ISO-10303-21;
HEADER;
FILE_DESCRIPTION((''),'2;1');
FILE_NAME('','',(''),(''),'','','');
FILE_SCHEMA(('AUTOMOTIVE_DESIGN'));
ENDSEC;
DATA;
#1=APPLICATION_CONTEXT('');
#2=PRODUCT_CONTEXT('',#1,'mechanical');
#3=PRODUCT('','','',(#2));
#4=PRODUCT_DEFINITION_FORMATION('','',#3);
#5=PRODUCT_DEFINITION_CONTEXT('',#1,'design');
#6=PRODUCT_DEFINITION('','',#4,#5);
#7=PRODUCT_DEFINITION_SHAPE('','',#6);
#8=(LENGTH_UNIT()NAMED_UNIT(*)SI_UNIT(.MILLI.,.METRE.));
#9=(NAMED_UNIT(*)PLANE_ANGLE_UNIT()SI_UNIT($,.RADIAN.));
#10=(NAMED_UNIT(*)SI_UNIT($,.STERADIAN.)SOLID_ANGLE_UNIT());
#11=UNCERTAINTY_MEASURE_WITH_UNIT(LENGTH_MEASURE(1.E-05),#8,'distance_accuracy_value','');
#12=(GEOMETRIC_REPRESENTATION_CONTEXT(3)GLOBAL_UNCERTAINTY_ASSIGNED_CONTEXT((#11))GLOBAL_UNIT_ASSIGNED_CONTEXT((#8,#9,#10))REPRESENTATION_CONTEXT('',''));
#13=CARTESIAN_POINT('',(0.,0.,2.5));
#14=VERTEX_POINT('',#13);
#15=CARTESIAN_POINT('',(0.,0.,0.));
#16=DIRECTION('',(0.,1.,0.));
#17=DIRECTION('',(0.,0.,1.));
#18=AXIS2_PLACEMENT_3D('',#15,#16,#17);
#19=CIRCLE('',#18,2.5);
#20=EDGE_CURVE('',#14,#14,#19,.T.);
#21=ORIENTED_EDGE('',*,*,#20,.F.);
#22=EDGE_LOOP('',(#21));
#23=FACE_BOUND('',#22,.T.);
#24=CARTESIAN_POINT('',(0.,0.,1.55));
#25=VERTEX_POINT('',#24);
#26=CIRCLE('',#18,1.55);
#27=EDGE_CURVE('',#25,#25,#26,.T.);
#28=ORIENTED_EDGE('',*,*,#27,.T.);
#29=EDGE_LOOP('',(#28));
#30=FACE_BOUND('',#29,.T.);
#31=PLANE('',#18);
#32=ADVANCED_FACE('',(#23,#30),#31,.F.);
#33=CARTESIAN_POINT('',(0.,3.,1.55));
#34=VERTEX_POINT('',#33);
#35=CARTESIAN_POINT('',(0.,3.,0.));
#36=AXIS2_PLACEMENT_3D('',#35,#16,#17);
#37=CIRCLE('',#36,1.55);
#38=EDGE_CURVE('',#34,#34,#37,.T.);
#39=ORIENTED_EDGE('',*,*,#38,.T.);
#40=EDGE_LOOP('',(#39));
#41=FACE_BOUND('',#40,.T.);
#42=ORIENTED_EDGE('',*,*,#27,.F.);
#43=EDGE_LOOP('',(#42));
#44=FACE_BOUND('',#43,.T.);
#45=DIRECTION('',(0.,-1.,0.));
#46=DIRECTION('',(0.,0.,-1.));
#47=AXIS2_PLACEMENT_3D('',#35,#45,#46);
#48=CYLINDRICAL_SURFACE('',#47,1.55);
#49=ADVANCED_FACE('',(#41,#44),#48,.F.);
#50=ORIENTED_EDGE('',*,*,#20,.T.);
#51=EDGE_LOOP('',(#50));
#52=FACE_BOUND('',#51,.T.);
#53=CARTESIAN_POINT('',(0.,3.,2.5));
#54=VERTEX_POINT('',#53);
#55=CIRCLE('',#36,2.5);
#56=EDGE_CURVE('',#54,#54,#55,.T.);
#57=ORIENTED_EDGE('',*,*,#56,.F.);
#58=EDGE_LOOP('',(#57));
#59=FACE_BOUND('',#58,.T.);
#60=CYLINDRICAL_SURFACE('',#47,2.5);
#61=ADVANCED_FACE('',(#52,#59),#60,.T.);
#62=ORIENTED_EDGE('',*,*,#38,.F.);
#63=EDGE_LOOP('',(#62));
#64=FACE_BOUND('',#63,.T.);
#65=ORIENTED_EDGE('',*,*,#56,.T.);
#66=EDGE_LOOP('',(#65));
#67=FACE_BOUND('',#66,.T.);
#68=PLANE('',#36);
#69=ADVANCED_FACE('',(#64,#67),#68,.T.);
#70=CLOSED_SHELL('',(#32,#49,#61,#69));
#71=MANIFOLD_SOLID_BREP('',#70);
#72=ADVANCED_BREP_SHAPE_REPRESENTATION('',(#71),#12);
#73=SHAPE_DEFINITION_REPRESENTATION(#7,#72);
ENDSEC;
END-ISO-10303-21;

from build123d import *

# Parameters (mm, degrees)
SKETCH_1_R      = 2.5
SKETCH_1_R_2    = 1.55
EXTRUDE_1_DEPTH = 3


with BuildPart() as part:
    # 草图1 → 凸台-拉伸1 (new body)
    with BuildSketch(Plane(origin=(0, 0, 0), x_dir=(1, 0, 0), z_dir=(0, 1, 0))):
        Circle(SKETCH_1_R)
        Circle(SKETCH_1_R_2, mode=Mode.SUBTRACT)
    extrude(amount=EXTRUDE_1_DEPTH)


solid = part.part
